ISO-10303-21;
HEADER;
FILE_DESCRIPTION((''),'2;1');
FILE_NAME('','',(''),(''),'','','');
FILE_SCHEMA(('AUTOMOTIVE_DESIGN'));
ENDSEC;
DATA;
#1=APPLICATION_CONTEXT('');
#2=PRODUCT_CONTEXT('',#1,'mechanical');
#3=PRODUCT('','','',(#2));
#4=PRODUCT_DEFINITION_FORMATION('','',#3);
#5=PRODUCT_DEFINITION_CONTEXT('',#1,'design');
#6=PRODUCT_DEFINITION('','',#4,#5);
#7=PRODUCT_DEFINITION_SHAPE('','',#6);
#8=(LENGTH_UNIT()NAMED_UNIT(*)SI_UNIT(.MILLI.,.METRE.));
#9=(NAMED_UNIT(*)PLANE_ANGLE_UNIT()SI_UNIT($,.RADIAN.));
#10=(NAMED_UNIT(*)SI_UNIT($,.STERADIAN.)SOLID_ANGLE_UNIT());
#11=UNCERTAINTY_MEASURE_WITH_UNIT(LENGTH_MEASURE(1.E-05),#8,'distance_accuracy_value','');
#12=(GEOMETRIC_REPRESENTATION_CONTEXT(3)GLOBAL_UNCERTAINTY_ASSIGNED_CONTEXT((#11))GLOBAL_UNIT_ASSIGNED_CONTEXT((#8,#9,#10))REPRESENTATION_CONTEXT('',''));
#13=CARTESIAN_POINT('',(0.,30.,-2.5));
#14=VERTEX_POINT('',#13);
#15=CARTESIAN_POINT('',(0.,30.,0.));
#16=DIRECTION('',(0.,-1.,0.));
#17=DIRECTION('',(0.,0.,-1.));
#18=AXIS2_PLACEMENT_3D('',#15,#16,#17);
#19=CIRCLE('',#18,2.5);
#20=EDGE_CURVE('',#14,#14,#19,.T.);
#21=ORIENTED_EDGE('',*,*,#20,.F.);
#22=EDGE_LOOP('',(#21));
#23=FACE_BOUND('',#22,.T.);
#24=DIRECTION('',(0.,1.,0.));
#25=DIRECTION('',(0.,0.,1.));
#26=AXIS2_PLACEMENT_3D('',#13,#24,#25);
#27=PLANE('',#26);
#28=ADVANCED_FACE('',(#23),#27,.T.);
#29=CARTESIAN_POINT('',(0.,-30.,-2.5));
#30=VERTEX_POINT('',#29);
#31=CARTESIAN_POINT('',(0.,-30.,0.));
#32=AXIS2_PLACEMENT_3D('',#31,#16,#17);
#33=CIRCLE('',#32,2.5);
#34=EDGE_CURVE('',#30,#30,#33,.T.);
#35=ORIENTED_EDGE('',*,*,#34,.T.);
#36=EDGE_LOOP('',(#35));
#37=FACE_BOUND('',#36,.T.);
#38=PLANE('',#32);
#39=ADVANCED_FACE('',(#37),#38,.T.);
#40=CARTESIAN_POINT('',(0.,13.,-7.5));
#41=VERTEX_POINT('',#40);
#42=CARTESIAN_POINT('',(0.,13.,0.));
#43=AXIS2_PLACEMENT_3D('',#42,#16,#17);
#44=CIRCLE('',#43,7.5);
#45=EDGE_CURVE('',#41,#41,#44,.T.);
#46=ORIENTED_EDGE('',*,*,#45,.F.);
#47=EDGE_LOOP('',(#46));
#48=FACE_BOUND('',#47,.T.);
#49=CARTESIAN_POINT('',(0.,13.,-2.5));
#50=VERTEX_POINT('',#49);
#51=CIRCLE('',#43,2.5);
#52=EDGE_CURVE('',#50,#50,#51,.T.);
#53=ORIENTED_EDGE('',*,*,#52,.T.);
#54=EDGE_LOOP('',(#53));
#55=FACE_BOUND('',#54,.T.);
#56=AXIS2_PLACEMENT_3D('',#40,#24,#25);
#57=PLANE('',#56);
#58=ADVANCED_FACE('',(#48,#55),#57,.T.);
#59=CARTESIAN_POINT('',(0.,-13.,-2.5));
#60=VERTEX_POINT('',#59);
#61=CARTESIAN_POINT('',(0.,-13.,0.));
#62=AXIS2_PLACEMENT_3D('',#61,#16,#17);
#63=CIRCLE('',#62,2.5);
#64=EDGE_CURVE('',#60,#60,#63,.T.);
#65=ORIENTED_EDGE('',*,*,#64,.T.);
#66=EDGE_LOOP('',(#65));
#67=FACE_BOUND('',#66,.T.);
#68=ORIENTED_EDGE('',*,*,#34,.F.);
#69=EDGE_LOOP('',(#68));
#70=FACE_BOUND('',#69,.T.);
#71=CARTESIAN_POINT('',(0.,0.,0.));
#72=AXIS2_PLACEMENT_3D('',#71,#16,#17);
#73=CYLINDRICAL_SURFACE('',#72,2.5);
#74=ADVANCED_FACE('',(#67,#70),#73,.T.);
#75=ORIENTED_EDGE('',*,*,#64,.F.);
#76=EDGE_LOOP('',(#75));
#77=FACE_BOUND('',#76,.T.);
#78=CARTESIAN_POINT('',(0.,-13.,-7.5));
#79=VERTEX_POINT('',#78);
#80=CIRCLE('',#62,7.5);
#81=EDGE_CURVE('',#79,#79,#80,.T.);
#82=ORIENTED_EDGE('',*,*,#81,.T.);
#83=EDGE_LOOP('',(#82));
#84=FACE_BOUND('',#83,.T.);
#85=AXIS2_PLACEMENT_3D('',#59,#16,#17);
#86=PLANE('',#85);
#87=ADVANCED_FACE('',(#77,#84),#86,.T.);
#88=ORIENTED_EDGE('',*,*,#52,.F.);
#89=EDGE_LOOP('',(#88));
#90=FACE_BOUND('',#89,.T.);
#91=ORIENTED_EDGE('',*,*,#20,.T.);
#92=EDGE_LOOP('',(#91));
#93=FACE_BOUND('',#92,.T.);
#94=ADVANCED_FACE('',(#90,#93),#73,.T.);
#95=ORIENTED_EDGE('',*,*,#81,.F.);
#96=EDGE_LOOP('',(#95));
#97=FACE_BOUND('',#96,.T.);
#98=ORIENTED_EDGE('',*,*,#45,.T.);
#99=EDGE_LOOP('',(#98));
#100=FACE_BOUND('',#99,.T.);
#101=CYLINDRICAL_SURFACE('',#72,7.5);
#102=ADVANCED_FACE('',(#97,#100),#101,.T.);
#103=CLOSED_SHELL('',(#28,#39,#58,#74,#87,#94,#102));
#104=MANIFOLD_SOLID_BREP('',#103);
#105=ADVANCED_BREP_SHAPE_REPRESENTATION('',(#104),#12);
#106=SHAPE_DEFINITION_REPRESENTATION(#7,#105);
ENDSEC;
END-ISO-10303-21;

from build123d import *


with BuildPart() as part:
    # Sketch1 → Revolve1 (revolve)
    with BuildSketch(Plane(origin=(0, 0, 0), x_dir=(0, 0, -1), z_dir=(1, 0, 0))):
        Polygon((0, -30), (2.5, -30), (2.5, -13), (7.5, -13), (7.5, 13), (2.5, 13), (2.5, 30), (0, 30), align=None)
    revolve(axis=Axis((0, 0, 0), (0, 1, 0)))


solid = part.part
